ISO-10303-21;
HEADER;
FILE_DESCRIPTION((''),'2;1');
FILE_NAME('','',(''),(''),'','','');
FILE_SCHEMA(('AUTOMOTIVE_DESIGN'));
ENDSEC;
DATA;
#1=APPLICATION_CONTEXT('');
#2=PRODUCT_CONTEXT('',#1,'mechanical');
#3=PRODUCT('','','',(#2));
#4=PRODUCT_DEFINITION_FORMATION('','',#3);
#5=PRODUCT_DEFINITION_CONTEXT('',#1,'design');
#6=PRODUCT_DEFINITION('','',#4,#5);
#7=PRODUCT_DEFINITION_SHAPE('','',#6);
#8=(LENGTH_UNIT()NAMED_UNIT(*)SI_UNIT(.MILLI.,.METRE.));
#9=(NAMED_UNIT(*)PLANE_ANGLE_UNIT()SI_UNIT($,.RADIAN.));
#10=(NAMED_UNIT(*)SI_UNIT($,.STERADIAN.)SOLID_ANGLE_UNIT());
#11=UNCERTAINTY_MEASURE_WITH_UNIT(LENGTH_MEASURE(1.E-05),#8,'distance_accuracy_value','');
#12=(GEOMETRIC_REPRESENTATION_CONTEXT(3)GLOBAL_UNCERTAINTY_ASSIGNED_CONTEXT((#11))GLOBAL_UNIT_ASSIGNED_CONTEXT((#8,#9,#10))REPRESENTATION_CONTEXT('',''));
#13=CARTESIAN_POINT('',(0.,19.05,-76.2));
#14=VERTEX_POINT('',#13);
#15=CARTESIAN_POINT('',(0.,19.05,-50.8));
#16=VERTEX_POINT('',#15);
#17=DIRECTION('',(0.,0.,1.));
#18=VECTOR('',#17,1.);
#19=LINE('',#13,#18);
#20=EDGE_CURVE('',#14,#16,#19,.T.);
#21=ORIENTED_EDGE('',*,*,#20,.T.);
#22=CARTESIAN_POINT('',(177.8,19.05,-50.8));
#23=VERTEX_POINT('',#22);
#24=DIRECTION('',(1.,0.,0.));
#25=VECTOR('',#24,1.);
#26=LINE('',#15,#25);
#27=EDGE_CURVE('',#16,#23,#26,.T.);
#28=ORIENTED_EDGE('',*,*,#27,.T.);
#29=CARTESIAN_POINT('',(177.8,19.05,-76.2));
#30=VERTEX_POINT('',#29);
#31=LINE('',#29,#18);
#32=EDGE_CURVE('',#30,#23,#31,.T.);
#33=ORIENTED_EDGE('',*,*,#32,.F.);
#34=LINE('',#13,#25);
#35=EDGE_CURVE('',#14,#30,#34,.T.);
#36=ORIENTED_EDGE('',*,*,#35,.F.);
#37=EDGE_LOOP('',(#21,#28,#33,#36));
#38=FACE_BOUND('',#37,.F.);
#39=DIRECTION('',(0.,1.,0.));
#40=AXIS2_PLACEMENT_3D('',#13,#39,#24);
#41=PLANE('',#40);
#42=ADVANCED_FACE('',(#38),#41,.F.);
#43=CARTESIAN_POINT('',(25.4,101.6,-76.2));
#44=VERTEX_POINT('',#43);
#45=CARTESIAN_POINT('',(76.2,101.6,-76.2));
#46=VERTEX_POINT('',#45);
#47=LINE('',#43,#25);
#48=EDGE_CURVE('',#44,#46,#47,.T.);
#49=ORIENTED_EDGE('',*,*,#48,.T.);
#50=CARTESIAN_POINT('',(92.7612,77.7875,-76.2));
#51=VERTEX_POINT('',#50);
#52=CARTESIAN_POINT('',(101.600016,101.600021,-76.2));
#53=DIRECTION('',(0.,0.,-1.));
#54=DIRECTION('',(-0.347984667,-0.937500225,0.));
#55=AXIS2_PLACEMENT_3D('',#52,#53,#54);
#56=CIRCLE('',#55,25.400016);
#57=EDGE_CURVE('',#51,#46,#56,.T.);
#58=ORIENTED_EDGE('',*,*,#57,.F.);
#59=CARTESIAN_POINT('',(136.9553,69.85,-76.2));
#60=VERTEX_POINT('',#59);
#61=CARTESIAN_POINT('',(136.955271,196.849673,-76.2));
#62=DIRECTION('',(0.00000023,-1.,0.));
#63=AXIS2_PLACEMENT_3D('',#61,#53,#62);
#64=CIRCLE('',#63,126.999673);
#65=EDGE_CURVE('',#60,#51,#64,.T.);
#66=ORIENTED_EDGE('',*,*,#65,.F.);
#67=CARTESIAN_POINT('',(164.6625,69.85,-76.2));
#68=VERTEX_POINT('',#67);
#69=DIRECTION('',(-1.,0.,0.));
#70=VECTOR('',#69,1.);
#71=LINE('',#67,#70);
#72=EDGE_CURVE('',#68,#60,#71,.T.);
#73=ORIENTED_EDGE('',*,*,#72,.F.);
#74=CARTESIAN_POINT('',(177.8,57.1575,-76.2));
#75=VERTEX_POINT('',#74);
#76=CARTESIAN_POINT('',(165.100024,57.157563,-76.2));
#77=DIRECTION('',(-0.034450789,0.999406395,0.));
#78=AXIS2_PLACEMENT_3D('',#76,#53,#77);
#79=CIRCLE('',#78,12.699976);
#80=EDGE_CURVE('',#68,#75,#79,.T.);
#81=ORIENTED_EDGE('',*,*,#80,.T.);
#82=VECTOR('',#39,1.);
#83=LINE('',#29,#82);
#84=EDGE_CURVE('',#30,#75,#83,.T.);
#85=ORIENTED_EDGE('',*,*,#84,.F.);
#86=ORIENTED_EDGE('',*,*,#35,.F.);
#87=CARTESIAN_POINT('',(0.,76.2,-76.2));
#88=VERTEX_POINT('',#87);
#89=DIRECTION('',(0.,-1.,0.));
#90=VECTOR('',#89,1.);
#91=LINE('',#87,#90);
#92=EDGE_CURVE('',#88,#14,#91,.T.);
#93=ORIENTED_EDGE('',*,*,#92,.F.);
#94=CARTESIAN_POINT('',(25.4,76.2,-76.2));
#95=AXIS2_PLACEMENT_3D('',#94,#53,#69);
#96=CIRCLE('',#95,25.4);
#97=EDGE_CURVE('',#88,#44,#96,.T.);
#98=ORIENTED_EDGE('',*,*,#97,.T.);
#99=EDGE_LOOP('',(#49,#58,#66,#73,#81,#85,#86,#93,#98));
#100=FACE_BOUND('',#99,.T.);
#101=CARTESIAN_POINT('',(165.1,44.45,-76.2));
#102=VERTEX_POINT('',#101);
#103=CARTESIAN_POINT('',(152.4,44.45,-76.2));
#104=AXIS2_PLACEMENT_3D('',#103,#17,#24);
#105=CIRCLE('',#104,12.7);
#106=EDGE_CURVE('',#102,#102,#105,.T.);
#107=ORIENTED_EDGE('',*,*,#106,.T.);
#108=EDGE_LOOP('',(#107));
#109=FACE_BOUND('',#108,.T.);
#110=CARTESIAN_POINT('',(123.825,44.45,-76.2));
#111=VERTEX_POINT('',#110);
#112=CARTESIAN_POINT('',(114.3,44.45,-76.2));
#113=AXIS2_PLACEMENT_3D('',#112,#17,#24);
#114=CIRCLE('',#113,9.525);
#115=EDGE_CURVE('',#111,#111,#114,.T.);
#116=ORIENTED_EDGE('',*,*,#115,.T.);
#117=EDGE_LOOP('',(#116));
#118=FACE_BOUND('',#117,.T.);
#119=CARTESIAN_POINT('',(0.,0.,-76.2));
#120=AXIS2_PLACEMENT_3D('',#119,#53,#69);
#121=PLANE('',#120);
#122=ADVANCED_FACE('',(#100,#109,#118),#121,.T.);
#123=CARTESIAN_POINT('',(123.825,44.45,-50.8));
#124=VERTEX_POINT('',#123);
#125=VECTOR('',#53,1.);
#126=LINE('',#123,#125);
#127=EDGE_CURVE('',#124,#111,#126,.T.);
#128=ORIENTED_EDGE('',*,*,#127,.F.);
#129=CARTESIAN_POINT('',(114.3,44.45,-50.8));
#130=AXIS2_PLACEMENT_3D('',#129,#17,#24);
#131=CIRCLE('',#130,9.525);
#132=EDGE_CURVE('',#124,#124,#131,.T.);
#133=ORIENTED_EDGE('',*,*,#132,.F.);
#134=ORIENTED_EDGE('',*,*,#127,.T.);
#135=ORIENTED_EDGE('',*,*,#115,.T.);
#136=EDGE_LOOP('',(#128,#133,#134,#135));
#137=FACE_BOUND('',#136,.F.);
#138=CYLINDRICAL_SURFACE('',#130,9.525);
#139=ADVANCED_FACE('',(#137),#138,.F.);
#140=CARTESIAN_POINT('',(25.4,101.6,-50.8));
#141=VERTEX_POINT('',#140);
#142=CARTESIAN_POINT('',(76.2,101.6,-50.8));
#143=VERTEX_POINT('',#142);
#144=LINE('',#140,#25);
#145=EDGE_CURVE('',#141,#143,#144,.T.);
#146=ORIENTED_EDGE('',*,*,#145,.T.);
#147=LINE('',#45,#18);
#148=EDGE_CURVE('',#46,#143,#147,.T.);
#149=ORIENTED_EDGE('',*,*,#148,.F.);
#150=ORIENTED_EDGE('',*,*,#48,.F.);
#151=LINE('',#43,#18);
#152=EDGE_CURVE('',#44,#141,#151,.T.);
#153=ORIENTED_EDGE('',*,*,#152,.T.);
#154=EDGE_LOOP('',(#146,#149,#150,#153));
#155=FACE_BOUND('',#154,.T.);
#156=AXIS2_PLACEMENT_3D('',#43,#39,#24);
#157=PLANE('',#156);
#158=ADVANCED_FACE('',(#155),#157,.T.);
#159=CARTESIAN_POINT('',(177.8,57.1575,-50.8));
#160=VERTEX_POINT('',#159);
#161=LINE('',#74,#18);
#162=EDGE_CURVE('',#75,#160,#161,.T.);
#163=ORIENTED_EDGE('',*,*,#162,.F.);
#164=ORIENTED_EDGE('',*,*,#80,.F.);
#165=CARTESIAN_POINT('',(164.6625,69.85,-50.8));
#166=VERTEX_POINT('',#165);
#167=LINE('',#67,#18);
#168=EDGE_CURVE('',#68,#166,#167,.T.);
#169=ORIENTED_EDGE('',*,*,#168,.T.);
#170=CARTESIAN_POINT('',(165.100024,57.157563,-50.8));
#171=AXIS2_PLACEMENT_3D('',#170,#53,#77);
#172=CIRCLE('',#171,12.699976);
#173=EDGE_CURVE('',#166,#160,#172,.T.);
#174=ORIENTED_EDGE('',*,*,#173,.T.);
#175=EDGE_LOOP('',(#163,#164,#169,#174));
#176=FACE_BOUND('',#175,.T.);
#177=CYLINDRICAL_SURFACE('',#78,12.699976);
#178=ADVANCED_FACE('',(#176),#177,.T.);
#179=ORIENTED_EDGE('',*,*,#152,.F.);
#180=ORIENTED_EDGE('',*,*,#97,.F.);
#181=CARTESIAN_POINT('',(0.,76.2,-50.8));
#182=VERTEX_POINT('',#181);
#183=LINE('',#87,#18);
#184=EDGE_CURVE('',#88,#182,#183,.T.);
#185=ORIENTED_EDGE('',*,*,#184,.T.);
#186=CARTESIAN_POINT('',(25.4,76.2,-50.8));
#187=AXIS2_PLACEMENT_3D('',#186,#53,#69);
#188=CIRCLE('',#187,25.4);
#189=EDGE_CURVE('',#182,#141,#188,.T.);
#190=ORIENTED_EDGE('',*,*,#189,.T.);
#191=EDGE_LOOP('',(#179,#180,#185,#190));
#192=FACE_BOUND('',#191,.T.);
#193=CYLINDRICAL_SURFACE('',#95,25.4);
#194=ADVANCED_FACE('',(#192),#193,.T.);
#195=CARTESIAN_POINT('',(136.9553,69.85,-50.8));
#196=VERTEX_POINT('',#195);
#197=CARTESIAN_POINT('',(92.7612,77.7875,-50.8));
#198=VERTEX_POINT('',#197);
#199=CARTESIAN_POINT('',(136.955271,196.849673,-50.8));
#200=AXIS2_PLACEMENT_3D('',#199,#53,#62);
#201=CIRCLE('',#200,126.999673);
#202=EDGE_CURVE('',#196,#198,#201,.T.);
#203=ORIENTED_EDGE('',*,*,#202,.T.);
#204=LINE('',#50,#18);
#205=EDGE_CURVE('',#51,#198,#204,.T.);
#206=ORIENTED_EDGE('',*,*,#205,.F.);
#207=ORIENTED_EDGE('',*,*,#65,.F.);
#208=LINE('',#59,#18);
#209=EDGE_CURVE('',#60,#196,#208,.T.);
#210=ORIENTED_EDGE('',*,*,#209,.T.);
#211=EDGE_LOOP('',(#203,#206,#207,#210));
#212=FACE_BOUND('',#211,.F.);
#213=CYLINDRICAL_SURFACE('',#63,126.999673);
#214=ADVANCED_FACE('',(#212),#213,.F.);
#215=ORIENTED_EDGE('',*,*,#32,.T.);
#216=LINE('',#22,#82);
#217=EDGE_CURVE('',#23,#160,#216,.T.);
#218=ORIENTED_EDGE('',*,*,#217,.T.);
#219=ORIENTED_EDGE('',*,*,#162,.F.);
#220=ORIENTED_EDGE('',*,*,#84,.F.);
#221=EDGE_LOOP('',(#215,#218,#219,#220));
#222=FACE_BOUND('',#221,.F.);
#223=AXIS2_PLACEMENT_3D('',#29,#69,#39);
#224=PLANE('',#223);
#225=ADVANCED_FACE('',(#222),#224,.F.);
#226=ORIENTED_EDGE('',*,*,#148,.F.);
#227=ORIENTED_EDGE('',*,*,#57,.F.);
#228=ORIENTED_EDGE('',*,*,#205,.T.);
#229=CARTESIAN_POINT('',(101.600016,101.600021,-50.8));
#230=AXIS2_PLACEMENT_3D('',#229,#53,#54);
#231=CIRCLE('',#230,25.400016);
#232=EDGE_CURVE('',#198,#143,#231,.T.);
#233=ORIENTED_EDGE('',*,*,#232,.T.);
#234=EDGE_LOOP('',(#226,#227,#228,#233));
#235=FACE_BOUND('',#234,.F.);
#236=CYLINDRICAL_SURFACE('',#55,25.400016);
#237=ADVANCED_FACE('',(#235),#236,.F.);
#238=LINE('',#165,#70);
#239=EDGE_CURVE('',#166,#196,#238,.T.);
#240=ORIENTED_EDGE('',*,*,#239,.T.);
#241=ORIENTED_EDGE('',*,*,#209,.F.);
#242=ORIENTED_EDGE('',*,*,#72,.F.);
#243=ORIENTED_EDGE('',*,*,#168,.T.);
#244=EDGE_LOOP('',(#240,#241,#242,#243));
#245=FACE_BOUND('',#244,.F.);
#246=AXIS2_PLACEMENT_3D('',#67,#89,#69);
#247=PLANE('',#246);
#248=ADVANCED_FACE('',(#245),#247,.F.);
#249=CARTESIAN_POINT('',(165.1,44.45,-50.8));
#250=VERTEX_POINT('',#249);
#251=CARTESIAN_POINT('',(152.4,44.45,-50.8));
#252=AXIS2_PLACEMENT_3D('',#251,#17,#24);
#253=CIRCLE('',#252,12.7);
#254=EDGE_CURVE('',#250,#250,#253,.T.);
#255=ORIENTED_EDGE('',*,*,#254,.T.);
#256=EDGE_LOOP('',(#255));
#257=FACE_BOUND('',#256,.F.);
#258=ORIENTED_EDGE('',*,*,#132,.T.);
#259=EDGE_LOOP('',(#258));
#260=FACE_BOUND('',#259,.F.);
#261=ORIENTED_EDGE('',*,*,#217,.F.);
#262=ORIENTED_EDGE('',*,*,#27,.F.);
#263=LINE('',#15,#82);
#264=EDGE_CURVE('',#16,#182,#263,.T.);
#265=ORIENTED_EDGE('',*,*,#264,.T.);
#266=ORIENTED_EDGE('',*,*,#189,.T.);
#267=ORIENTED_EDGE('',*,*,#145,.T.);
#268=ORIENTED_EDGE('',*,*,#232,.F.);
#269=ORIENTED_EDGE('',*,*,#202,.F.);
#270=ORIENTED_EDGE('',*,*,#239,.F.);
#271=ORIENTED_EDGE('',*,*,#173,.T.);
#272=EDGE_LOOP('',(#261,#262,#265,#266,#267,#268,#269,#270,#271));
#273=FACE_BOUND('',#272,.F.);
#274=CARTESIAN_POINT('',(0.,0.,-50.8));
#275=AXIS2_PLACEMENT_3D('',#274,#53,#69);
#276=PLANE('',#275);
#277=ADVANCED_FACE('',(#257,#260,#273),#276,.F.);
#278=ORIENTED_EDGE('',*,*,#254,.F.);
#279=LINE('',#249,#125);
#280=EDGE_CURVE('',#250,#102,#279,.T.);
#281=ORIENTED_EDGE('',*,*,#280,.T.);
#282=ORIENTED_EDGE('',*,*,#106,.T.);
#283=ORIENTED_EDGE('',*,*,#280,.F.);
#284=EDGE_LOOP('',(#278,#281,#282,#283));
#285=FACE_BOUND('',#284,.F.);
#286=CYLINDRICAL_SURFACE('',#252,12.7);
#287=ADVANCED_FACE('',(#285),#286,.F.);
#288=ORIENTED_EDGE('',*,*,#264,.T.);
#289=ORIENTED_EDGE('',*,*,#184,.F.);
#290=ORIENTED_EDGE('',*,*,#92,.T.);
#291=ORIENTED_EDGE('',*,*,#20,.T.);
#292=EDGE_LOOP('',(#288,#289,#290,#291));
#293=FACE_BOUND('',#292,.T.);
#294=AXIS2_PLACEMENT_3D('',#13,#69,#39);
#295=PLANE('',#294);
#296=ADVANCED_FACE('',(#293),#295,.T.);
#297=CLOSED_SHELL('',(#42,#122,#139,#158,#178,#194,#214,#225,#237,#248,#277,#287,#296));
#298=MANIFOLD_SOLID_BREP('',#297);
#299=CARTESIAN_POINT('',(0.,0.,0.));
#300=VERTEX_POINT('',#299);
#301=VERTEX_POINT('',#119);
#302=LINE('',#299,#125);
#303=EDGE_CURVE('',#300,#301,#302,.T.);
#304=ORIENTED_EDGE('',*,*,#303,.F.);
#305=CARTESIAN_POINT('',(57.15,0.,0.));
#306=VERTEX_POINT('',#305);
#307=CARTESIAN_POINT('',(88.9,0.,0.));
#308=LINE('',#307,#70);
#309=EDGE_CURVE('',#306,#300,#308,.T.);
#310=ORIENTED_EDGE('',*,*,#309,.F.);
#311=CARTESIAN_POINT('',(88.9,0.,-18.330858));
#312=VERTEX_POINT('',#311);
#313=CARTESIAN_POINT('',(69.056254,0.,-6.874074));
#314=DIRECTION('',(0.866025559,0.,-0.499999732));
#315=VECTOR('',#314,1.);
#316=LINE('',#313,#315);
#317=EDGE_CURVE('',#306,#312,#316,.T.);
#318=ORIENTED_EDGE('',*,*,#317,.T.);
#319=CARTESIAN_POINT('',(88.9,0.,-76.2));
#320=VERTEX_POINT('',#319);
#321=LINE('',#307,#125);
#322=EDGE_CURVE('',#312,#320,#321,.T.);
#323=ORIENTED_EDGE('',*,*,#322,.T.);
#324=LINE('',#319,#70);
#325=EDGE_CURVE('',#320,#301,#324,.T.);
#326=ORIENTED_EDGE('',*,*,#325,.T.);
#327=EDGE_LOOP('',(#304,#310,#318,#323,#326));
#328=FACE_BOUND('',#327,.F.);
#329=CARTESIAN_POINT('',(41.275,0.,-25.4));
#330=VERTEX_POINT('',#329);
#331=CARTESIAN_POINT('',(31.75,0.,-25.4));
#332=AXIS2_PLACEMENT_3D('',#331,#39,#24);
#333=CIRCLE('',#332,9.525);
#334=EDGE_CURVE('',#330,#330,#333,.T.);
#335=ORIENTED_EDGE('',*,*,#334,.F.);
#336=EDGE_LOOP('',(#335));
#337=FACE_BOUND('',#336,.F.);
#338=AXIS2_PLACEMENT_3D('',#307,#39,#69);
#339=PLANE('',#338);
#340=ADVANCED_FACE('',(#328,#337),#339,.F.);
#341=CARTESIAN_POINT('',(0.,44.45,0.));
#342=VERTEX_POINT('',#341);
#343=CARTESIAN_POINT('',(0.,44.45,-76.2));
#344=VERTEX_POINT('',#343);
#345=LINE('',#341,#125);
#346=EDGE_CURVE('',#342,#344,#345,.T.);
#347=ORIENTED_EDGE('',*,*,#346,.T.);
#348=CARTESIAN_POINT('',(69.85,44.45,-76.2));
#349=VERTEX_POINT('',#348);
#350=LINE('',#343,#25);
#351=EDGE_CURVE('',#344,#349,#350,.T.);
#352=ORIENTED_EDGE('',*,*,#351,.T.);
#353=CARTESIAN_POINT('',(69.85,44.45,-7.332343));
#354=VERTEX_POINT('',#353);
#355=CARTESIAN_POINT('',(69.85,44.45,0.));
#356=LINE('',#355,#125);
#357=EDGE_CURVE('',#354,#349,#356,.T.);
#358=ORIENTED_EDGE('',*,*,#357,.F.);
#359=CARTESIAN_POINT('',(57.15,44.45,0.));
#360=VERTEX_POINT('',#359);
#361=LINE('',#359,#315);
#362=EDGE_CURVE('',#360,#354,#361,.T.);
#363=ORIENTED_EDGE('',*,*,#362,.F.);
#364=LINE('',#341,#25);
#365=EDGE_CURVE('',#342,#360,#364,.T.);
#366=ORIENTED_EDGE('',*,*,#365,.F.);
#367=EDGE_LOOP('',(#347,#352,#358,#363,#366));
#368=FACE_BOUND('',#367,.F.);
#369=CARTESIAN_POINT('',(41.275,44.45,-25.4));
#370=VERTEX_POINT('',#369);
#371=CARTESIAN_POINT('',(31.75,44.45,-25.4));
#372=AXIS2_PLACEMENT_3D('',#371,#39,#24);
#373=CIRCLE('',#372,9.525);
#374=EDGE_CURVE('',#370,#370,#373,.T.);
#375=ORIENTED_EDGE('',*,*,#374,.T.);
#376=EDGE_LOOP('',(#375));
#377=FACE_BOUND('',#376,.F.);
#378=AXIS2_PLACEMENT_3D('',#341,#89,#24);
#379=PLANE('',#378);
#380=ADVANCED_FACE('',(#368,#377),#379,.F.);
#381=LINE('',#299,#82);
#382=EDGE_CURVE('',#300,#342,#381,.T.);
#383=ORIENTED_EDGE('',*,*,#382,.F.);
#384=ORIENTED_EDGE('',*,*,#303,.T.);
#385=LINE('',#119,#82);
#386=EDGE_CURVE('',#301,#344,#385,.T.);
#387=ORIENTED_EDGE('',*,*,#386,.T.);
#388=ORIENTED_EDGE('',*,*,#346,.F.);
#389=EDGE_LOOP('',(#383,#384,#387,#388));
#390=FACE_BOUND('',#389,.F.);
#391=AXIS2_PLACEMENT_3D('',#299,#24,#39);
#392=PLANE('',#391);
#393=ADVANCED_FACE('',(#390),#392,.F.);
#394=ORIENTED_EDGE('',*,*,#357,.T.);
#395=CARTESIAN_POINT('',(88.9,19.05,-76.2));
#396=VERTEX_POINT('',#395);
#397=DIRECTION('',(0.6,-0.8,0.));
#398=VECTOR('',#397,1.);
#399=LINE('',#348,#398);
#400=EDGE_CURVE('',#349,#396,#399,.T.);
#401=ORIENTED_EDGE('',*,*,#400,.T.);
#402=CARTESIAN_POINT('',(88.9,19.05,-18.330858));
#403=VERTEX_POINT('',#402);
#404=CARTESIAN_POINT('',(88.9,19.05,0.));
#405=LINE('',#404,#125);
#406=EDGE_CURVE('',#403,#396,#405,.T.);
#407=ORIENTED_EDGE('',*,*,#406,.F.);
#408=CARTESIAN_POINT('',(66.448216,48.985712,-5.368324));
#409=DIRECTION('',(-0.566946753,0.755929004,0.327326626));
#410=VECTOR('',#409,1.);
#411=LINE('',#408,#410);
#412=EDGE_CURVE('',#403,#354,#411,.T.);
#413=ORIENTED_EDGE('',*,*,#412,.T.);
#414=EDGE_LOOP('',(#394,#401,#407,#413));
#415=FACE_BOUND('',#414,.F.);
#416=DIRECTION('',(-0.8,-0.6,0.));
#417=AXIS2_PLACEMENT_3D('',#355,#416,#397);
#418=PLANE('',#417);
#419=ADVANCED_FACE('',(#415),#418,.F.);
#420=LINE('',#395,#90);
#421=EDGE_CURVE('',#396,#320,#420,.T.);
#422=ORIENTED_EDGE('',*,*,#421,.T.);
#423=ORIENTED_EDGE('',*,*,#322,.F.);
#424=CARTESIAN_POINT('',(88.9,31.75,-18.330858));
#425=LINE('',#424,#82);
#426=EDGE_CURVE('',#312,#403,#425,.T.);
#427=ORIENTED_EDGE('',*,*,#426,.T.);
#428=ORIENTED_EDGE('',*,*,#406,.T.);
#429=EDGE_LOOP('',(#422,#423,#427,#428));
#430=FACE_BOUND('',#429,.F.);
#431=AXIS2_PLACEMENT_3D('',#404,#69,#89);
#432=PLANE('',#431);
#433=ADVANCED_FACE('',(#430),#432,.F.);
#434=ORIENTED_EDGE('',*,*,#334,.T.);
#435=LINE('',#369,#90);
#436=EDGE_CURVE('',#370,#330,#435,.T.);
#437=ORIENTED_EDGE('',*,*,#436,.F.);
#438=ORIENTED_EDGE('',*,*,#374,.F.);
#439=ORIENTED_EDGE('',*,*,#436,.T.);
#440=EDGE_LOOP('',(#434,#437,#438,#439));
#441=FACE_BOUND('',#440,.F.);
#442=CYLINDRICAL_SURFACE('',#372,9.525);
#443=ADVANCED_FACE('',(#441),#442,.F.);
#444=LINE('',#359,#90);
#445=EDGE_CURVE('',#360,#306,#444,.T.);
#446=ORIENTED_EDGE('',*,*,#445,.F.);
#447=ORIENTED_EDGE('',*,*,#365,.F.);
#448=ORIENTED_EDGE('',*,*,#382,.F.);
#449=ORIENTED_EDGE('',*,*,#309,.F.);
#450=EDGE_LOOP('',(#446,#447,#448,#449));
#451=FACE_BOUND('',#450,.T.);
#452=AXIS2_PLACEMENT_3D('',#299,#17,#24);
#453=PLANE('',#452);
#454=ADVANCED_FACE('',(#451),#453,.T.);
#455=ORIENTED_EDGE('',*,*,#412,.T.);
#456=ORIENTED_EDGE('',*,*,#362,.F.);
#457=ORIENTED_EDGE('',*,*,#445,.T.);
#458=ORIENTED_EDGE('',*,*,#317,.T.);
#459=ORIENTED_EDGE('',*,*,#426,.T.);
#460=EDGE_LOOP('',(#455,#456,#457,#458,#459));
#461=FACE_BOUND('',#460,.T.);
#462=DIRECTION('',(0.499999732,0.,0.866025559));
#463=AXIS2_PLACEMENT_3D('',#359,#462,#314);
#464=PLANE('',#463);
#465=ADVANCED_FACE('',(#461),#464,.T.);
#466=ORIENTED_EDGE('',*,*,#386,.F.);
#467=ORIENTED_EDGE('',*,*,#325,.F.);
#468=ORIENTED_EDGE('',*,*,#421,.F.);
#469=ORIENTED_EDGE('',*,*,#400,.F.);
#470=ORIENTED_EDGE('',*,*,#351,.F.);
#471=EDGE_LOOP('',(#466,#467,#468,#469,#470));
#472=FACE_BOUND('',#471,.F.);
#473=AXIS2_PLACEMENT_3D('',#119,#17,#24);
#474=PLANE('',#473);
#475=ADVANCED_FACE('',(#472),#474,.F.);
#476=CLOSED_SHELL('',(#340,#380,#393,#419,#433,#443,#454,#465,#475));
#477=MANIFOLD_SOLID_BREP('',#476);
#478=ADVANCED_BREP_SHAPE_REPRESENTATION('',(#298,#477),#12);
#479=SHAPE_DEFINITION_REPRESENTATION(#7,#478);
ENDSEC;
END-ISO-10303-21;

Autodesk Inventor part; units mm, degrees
ref_plane "YZ Plane" through (0, 0, 0) normal (1, 0, 0) x (0, 1, 0)
ref_plane "XZ Plane" through (0, 0, 0) normal (0, 1, 0) x (-1, 0, 0)
ref_plane "XY Plane" through (0, 0, 0) normal (0, 0, 1) x (1, 0, 0)
sketch "Sketch1" plane through (0, 0, 0) normal (0, 0, 1) x (1, 0, 0)
  line L0 (0, 0) -> (0, 44.45)
  line L1 (0, 44.45) -> (69.85, 44.45)
  line L2 (69.85, 44.45) -> (88.9, 19.05)
  line L3 (88.9, 19.05) -> (88.9, 0)
  line L4 (88.9, 0) -> (0, 0)
  dimension "d0" = 44.45
  dimension "d1" = 69.85
  dimension "d2" = 88.9
  dimension "d3" = 19.05
extrude "Extrusion1" add sketch "Sketch1" against normal blind 76.2
sketch "Sketch2" plane through (0, 0, -76.2) normal (0, 0, -1) x (-1, 0, 0)
  line L0 (0, 0) -> (0, 19.05)
  line L1 (0, 0) -> (0, 44.45) projected
  line L2 (0, 19.05) -> (0, 76.2)
  line L3 (-25.4, 101.6) -> (-76.2, 101.6)
  line L4 (0, 19.05) -> (-177.8, 19.05)
  line L5 (-177.8, 19.05) -> (-177.8, 57.1575)
  arc A0 (-164.6625, 69.85) -> (-177.8, 57.1575) centre (-165.1, 57.1575) ccw
  arc A1 (0, 76.2) -> (-25.4, 101.6) centre (-25.4, 76.2) ccw
  line L6 (-164.6625, 69.85) -> (-136.9553, 69.85)
  arc A2 (-136.9553, 69.85) -> (-92.7612, 77.7875) centre (-136.9553, 196.85) ccw
  arc A3 (-92.7612, 77.7875) -> (-76.2, 101.6) centre (-101.6, 101.6) ccw
  point P0 (0, 101.6)
  dimension "d6" = 19.05
  dimension "d7" = 177.8
  dimension "d9" = 82.55
  dimension "d10" = 12.7
  dimension "d11" = 25.4
  dimension "d13" = 31.75
  dimension "d14" = 101.6
  dimension "d36" = 127
  dimension "d37" = 25.4
extrude "Extrusion2" add sketch "Sketch2" against normal blind 25.4 separate body
sketch "Sketch3" plane through (0, 44.45, 0) normal (0, 1, 0) x (1, 0, 0)
  line L0 (0, 0) -> (57.15, 0)
  line L1 (0, 0) -> (69.85, 0) projected
  line L2 (57.15, 0) -> (106.8424, 28.6899)
  line L3 (106.8424, 28.6899) -> (106.8424, 0)
  line L4 (106.8424, 0) -> (57.15, 0)
  dimension "d18" = 57.15
  dimension "d19" = 30
extrude "Extrusion3" cut sketch "Sketch3" against normal through all bodies 1
sketch "Sketch4" plane through (0, 44.45, -76.2) normal (0, 1, 0) x (1, 0, 0)
  circle A0 centre (31.75, -50.8) radius 9.525
  line L0 (57.15, -76.2) -> (0, -76.2) projected
  line L1 (0, -76.2) -> (0, 0) projected
  dimension "d22" = 19.05
  dimension "d23" = 25.4
  dimension "d24" = 31.75
extrude "Extrusion4" cut sketch "Sketch4" against normal through all bodies 1
sketch "Sketch5" plane through (0, 0, -50.8) normal (0, 0, 1) x (1, 0, 0)
  circle A0 centre (152.4, 44.45) radius 12.7
  circle A1 centre (114.3, 44.45) radius 9.525
  line L0 (0, 19.05) -> (177.8, 19.05) projected
  line L1 (177.8, 19.05) -> (177.8, 57.1575) projected
  point P0 (0, 0)
  dimension "d27" = 25.4
  dimension "d28" = 19.05
  dimension "d29" = 25.4
  dimension "d30" = 38.1
  dimension "d32" = 25.4
  dimension "d33" = 0
extrude "Extrusion5" cut sketch "Sketch5" against normal through all bodies 2
properties part number "HW 8 Part 3"
